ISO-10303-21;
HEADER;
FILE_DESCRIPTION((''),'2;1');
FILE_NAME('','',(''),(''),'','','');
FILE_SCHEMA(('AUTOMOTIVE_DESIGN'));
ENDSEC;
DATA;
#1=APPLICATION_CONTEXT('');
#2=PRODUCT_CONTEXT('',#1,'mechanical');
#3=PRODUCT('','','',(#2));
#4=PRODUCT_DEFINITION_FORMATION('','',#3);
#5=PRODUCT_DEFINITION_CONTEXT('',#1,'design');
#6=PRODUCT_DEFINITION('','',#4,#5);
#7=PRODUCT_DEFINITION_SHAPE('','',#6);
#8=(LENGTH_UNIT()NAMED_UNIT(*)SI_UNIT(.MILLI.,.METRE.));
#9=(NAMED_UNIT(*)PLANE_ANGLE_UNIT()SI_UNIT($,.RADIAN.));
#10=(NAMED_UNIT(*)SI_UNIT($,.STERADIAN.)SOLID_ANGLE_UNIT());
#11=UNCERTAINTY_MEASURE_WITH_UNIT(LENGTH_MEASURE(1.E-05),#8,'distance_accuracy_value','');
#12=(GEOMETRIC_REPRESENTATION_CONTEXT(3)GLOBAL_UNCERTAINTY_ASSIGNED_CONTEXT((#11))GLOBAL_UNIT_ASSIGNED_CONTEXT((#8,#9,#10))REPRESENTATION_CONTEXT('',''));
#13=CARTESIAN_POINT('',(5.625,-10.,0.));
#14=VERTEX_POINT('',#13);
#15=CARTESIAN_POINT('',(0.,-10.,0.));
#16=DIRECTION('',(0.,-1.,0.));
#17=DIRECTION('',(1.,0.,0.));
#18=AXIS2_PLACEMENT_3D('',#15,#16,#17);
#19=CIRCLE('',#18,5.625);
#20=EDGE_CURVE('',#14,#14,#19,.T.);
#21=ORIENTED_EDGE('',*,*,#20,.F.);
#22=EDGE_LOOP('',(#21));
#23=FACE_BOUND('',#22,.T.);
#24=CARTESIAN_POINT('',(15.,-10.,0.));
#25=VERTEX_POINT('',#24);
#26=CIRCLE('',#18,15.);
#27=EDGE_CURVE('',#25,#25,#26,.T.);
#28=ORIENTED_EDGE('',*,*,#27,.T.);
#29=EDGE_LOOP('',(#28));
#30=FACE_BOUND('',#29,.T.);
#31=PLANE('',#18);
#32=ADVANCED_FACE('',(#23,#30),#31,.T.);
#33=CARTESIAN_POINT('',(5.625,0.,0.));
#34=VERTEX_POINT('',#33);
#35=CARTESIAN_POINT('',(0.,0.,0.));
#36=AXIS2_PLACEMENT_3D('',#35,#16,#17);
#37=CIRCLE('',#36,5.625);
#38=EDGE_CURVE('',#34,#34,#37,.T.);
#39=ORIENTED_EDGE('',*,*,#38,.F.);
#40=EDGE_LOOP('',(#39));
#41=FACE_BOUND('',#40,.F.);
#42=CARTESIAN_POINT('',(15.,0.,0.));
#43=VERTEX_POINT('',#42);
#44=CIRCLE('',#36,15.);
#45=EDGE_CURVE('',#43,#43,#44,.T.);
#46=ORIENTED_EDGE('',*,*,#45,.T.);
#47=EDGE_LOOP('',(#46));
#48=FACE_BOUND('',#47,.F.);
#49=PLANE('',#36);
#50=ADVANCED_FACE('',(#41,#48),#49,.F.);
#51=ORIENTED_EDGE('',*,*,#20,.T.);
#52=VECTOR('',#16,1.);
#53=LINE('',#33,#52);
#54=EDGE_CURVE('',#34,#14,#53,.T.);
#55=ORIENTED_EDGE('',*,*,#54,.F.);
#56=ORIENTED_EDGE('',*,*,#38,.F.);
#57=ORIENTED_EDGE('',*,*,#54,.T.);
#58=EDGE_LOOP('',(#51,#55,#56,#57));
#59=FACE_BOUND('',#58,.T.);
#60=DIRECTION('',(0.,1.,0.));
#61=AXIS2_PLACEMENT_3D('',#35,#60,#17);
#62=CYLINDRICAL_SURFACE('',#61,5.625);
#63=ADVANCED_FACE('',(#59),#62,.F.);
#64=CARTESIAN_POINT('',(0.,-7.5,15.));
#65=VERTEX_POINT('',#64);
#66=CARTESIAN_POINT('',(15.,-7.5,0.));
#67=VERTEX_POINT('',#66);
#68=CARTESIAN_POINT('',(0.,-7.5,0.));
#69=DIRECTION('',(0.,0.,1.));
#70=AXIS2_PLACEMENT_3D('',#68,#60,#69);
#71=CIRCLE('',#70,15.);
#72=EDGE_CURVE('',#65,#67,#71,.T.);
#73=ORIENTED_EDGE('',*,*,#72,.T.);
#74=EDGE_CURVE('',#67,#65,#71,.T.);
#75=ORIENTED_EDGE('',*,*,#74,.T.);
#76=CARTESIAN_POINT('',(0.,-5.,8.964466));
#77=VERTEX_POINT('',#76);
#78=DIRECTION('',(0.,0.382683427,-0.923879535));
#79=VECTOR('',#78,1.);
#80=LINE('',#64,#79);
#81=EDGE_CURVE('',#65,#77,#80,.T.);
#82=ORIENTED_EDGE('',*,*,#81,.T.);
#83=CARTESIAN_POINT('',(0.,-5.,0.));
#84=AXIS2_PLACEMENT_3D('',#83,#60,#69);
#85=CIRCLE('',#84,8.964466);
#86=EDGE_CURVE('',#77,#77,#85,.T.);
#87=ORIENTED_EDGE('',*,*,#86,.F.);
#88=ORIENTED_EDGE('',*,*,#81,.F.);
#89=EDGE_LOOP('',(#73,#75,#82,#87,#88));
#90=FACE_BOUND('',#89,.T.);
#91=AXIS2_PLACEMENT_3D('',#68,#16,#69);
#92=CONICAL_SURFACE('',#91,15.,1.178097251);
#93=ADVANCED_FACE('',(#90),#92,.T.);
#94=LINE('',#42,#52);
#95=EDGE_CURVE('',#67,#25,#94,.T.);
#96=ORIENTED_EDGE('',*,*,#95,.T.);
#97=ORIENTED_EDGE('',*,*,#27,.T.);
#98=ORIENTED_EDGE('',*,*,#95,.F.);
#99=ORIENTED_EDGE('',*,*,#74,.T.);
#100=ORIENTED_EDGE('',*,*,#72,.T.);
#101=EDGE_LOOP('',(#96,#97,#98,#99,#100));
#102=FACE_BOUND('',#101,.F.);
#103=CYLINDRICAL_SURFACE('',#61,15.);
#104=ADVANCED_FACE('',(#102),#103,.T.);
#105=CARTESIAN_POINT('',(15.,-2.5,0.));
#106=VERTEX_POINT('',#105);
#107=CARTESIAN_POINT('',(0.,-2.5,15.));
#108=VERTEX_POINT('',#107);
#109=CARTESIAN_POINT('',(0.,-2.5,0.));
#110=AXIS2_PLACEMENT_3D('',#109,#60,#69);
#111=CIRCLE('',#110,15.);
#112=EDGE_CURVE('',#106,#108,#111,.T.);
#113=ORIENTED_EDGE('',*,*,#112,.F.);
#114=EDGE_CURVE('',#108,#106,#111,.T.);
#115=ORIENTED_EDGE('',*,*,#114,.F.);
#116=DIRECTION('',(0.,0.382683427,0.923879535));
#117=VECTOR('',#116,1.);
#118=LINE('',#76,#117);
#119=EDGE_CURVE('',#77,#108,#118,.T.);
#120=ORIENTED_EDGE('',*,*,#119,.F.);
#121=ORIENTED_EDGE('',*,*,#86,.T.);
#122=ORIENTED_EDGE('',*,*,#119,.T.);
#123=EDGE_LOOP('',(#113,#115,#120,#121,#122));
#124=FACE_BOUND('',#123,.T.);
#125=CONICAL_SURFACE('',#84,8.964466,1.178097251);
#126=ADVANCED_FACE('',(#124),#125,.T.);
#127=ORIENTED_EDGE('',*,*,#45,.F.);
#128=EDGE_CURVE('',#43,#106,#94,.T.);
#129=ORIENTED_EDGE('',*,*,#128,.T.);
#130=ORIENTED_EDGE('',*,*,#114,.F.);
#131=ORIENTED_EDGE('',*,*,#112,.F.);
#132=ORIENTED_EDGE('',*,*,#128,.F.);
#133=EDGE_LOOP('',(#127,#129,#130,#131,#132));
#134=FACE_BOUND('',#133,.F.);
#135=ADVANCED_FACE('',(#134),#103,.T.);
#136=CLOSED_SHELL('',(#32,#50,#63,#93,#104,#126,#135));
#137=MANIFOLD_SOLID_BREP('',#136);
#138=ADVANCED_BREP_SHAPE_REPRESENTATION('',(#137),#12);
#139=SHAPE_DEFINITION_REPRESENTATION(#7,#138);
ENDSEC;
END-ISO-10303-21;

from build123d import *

# Parameters (mm, degrees)
F0_R     = 15
F0_R_2   = 5.625
F1_DEPTH = 10


with BuildPart() as f1:
    # F0 (on Front) → F1 (new body)
    with BuildSketch(Plane.XZ):
        Circle(F0_R)
        Circle(F0_R_2, mode=Mode.SUBTRACT)
    extrude(amount=F1_DEPTH)

    # F3 (on offset) → F4 (revolve, cut)
    with BuildSketch(Plane.YZ):
        Polygon((-2.5, 15), (-7.5, 15), (-5, 8.964466), align=None)
    revolve(axis=Axis((0, 0, 0), (0, 1, 0)), mode=Mode.SUBTRACT)


solid = f1.part
